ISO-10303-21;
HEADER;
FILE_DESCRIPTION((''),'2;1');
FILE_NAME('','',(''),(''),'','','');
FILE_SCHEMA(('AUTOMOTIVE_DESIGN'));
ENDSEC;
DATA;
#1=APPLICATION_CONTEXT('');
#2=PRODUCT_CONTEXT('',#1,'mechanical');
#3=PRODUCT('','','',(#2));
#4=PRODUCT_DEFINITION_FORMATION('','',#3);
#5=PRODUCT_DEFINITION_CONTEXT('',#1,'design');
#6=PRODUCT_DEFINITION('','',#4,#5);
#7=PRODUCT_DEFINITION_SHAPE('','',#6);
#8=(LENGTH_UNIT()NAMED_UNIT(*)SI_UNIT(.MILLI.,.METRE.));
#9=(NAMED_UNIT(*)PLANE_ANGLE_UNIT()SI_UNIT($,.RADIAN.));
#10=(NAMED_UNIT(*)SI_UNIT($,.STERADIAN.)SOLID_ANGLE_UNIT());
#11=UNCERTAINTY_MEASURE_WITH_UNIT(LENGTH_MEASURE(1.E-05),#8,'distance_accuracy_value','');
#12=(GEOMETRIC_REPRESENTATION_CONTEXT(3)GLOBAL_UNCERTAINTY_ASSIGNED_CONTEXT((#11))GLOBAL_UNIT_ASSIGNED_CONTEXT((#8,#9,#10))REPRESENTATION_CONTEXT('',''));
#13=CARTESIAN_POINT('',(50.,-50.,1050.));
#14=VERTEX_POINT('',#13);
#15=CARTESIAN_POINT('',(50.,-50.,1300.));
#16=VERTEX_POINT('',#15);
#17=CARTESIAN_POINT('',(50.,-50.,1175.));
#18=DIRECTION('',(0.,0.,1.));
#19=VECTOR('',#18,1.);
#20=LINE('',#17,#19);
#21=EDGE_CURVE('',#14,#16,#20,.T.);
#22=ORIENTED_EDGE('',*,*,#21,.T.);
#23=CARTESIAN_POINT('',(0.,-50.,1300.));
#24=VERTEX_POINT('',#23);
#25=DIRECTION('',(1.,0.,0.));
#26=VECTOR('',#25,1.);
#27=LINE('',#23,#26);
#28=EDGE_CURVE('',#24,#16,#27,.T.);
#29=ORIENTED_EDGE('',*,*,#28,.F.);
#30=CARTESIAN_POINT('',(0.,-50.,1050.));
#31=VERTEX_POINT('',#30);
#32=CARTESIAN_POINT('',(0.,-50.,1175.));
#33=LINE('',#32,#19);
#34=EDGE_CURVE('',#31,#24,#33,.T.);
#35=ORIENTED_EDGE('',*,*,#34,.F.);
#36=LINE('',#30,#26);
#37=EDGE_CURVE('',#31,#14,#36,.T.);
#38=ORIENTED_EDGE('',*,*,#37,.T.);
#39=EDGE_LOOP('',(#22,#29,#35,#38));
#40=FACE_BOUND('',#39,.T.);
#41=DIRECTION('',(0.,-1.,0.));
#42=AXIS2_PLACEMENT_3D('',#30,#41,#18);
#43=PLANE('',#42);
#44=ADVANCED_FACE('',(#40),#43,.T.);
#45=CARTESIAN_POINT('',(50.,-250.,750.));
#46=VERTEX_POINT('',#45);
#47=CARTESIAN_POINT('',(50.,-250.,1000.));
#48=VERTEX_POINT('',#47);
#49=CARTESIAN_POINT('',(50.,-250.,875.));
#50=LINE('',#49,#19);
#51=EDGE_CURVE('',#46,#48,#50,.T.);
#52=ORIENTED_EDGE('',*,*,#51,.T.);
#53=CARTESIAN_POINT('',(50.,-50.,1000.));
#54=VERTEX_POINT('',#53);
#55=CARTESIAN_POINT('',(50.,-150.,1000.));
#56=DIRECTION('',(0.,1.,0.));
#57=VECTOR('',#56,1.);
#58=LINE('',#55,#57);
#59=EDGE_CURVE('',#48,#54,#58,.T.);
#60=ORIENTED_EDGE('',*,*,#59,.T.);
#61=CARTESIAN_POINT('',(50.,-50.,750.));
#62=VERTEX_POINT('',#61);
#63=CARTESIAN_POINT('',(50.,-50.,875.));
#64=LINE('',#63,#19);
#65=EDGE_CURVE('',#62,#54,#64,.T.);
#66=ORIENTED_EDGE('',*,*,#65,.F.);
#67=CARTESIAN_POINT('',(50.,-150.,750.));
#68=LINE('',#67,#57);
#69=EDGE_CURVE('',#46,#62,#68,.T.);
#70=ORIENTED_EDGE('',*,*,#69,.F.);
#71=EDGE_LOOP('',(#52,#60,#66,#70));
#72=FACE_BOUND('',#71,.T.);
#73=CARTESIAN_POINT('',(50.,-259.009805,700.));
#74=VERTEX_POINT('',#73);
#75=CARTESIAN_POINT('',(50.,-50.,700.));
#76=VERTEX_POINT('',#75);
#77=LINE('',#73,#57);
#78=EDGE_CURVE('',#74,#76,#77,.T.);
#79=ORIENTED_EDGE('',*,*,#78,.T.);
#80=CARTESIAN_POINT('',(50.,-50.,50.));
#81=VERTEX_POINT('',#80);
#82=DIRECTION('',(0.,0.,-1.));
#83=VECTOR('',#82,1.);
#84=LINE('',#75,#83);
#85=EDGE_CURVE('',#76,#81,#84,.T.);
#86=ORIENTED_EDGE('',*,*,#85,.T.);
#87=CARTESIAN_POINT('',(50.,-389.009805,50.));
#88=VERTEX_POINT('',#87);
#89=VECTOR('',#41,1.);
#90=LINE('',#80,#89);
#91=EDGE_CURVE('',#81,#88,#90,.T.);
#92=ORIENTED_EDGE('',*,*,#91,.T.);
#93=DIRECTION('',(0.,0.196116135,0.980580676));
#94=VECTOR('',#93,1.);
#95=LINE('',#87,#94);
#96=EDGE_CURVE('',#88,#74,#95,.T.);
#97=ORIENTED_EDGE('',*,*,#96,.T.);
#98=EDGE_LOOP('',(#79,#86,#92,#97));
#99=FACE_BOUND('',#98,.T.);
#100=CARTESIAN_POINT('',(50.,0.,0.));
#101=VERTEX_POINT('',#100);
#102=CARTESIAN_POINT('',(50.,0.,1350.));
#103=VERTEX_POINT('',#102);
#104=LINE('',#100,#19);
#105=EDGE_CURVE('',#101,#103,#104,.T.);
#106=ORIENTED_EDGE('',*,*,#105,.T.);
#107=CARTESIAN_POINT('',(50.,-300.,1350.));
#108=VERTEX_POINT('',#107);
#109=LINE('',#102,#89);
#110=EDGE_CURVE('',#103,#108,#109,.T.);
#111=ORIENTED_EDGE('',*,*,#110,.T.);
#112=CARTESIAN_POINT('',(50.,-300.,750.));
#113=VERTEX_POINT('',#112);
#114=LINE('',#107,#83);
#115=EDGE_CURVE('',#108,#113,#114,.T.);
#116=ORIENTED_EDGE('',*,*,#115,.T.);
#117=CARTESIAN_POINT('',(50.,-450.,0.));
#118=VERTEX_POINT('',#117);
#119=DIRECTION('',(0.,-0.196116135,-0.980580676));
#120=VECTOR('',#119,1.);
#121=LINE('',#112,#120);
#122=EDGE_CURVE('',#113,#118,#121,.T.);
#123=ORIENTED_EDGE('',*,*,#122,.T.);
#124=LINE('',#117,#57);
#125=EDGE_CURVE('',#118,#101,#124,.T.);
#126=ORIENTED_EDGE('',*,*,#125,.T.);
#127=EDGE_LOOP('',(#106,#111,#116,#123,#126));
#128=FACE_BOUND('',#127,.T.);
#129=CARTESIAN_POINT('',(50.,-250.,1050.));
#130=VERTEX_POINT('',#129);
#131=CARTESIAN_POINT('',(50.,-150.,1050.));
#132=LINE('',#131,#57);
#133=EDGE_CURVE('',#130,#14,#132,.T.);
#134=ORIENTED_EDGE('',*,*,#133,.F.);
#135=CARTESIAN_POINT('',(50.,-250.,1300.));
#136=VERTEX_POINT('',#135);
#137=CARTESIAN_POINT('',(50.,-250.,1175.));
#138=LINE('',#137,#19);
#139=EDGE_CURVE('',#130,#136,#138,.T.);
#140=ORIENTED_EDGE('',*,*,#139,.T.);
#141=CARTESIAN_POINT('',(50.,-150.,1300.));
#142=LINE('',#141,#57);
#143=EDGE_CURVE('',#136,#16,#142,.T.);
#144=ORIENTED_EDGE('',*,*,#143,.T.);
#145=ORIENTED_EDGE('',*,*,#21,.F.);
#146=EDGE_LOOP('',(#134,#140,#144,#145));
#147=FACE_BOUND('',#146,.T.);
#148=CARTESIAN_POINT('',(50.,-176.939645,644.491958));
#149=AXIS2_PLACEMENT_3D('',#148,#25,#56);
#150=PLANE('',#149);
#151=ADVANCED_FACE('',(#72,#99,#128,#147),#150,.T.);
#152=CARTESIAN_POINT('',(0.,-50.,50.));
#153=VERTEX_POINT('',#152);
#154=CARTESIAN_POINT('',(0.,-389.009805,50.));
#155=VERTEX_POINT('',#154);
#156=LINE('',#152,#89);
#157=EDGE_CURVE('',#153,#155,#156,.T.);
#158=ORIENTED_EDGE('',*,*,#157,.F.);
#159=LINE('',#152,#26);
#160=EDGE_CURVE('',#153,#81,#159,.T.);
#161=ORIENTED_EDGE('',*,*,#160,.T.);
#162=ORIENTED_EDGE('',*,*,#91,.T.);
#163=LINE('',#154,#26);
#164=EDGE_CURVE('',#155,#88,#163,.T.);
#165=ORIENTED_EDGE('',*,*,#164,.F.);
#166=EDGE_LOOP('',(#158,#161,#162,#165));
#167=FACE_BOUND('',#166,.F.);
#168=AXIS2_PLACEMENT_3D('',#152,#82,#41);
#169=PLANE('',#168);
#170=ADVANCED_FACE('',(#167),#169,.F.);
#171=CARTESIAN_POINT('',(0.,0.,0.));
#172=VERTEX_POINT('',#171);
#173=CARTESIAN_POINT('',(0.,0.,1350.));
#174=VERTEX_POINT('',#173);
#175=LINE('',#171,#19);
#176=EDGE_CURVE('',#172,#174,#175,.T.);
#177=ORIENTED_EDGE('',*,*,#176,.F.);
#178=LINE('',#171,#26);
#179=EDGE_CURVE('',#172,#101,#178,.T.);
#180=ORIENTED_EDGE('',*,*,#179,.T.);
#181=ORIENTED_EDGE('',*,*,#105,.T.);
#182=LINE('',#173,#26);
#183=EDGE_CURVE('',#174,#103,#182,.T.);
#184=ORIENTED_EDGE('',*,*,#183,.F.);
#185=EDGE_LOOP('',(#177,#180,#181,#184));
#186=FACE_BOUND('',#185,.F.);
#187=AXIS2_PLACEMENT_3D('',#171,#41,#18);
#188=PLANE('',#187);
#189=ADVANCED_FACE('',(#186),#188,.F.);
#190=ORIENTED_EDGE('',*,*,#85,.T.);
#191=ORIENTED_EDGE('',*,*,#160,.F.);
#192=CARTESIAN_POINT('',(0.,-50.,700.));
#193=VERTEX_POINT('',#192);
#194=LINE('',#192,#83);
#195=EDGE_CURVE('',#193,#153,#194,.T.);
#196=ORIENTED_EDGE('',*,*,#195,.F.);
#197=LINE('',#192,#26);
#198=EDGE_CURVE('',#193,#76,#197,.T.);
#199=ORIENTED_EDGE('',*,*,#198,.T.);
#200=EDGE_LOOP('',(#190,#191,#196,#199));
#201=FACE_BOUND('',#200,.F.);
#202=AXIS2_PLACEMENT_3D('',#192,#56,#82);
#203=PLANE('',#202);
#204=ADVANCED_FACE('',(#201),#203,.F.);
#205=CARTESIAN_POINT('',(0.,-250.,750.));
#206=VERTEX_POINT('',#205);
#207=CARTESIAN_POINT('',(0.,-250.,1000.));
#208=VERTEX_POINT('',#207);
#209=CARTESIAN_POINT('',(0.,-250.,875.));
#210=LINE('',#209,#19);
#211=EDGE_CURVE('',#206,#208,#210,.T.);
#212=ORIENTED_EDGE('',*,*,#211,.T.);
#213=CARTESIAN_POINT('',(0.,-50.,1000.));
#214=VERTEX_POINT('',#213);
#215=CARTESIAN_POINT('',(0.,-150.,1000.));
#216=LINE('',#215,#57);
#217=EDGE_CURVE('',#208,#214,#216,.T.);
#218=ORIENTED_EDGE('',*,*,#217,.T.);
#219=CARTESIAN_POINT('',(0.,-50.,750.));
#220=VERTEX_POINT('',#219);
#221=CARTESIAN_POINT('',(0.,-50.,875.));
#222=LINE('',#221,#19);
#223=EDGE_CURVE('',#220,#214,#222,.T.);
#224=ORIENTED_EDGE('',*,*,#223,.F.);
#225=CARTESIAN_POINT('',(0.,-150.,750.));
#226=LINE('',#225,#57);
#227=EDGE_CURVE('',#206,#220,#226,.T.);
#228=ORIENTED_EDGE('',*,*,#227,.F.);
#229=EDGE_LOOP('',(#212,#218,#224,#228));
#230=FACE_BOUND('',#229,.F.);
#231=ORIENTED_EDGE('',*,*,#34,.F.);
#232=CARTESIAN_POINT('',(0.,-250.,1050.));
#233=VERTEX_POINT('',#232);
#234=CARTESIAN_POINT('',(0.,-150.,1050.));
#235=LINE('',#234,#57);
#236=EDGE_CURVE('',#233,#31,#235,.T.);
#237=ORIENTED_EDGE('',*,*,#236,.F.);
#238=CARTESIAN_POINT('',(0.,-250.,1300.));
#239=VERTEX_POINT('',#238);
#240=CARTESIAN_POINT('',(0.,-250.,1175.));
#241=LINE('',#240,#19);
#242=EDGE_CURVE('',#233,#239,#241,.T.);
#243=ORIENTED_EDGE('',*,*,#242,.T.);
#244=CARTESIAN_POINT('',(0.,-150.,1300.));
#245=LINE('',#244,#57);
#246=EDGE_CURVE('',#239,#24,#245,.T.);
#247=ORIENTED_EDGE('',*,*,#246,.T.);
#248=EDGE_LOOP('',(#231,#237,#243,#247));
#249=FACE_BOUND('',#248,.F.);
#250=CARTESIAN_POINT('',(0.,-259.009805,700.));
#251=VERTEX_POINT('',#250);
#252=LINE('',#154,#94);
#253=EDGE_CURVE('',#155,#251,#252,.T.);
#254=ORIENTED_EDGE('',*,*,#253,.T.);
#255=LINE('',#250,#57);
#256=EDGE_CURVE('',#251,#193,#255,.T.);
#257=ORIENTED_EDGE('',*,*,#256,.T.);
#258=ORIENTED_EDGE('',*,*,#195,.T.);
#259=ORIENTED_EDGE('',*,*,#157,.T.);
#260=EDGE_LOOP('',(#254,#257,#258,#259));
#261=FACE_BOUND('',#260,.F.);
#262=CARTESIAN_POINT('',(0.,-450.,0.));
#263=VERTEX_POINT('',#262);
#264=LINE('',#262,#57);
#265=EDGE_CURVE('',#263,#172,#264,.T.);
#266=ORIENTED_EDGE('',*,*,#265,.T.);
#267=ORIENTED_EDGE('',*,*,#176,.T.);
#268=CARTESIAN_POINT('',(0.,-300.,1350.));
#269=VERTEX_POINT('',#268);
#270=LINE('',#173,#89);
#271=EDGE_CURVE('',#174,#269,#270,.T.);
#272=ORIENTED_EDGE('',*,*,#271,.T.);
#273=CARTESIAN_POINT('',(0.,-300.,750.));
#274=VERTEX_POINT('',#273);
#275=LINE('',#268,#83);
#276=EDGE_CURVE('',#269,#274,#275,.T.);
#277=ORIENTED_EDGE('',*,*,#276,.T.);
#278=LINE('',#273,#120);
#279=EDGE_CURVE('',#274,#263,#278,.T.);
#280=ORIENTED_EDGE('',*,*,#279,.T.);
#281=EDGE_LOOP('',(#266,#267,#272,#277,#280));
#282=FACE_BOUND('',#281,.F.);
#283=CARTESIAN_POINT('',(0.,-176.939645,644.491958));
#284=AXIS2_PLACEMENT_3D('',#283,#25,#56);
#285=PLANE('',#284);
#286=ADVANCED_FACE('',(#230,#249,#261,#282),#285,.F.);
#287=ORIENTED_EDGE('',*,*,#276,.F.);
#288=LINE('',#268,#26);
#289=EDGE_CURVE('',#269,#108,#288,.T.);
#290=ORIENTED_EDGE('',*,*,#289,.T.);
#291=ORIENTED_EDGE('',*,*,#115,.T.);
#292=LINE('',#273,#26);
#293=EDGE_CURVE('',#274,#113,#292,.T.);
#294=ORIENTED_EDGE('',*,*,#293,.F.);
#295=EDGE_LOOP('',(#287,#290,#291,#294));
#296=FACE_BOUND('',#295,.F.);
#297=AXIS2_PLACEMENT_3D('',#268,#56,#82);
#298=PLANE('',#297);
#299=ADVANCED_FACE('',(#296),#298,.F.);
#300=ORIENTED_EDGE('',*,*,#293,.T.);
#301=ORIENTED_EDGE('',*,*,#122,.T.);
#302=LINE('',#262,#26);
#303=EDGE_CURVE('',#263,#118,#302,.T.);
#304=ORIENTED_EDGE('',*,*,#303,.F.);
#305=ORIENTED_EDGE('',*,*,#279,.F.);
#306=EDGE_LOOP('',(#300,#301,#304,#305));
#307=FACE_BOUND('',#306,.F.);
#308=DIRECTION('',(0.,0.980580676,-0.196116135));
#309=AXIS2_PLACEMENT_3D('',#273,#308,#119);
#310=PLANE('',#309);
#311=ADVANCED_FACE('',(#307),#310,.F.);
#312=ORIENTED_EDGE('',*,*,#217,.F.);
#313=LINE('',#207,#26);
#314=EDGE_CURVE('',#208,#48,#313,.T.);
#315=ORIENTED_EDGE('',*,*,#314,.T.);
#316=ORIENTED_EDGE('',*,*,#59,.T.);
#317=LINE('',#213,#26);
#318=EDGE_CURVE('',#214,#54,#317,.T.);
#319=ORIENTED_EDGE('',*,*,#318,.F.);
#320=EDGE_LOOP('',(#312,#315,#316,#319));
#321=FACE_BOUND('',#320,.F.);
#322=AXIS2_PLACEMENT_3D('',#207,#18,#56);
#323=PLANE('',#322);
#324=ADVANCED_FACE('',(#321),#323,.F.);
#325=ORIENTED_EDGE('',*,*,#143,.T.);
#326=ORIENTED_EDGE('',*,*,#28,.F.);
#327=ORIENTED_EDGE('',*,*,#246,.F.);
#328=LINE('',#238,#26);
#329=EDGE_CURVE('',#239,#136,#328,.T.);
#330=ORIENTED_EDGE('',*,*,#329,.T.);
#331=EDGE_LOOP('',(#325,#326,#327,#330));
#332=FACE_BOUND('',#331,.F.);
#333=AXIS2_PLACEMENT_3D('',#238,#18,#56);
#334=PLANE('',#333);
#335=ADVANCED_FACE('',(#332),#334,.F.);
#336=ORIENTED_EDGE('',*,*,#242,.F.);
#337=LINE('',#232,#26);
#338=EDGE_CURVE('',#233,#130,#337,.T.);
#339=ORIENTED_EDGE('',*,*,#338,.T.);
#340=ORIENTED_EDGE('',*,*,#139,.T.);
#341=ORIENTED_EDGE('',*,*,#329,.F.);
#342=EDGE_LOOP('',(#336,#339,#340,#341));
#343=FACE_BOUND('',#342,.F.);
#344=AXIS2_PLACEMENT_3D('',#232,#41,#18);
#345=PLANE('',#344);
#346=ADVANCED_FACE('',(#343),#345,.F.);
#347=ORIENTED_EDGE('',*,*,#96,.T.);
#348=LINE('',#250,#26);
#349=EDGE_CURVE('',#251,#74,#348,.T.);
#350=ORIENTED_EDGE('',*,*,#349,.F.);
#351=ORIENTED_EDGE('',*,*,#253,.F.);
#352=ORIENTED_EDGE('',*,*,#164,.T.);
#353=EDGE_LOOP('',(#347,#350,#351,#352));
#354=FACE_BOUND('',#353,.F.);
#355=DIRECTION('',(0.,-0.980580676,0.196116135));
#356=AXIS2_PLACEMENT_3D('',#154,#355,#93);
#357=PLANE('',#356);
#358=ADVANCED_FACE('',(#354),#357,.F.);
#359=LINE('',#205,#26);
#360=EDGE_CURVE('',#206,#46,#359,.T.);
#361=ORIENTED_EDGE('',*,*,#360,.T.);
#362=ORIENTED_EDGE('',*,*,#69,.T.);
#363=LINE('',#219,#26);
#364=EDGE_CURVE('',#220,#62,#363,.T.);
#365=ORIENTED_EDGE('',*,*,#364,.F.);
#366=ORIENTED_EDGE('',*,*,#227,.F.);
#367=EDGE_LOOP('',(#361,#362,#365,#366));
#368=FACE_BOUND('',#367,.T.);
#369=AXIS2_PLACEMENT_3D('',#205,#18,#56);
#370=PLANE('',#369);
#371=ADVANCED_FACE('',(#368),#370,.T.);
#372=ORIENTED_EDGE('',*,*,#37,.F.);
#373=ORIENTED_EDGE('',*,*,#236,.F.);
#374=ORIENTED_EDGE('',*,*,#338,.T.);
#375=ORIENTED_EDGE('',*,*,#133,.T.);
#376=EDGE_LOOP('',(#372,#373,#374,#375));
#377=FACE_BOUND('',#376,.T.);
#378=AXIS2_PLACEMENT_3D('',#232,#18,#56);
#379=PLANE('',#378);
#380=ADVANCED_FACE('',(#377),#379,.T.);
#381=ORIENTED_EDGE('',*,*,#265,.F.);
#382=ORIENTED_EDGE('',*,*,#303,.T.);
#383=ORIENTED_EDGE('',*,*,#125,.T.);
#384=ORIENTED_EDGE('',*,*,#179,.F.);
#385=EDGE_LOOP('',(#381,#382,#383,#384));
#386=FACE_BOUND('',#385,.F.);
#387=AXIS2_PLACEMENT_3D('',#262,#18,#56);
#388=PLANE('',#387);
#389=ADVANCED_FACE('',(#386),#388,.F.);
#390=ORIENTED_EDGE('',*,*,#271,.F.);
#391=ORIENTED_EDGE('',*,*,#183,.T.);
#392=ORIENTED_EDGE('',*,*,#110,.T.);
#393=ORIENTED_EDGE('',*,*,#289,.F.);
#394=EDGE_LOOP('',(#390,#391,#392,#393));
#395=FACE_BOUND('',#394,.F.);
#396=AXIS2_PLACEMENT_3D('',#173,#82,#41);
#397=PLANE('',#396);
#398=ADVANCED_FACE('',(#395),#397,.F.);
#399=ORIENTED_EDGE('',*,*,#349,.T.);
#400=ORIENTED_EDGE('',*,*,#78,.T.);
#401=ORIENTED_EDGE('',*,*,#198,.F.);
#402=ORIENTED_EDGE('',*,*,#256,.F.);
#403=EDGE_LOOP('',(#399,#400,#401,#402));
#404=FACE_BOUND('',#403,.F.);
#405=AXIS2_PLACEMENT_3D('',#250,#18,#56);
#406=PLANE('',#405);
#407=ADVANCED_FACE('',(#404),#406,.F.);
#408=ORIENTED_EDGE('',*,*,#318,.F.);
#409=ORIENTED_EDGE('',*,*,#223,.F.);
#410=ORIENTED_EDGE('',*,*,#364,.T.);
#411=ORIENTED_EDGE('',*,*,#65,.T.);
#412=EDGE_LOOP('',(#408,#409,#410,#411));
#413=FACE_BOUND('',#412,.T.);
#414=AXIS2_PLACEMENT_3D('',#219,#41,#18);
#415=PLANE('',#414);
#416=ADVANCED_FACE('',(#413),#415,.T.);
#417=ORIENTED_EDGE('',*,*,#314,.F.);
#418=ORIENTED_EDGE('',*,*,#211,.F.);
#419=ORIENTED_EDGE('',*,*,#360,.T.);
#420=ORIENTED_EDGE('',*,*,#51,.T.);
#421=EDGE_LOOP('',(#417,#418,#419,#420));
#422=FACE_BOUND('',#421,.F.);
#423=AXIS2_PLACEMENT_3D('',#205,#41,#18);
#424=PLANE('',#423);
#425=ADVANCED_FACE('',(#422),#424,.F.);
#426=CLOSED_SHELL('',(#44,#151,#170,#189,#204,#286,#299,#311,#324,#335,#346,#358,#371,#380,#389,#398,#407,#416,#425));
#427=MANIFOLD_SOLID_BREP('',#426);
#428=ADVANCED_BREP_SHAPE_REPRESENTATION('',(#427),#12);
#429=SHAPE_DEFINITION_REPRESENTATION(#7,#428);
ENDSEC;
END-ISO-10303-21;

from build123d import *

# Parameters (mm, degrees)
F0_W     = 200
F0_H     = 250
F1_DEPTH = 50


with BuildPart() as f1:
    # F0 (on Right) → F1 (new body)
    with BuildSketch(Plane.YZ):
        Polygon((-338.446645, 0), (0, 0), (0, 1000), (0, 1350), (-300, 1350), (-300, 1050), (-300, 750), (-450, 0), align=None)
        Polygon((-50, 50), (-389.009805, 50), (-259.009805, 700), (-50, 700), align=None, mode=Mode.SUBTRACT)
        with Locations((-150, 875)):
            Rectangle(F0_W, F0_H, mode=Mode.SUBTRACT)
        with Locations((-150, 1175)):
            Rectangle(F0_W, F0_H, mode=Mode.SUBTRACT)
    extrude(amount=F1_DEPTH)


solid = f1.part
